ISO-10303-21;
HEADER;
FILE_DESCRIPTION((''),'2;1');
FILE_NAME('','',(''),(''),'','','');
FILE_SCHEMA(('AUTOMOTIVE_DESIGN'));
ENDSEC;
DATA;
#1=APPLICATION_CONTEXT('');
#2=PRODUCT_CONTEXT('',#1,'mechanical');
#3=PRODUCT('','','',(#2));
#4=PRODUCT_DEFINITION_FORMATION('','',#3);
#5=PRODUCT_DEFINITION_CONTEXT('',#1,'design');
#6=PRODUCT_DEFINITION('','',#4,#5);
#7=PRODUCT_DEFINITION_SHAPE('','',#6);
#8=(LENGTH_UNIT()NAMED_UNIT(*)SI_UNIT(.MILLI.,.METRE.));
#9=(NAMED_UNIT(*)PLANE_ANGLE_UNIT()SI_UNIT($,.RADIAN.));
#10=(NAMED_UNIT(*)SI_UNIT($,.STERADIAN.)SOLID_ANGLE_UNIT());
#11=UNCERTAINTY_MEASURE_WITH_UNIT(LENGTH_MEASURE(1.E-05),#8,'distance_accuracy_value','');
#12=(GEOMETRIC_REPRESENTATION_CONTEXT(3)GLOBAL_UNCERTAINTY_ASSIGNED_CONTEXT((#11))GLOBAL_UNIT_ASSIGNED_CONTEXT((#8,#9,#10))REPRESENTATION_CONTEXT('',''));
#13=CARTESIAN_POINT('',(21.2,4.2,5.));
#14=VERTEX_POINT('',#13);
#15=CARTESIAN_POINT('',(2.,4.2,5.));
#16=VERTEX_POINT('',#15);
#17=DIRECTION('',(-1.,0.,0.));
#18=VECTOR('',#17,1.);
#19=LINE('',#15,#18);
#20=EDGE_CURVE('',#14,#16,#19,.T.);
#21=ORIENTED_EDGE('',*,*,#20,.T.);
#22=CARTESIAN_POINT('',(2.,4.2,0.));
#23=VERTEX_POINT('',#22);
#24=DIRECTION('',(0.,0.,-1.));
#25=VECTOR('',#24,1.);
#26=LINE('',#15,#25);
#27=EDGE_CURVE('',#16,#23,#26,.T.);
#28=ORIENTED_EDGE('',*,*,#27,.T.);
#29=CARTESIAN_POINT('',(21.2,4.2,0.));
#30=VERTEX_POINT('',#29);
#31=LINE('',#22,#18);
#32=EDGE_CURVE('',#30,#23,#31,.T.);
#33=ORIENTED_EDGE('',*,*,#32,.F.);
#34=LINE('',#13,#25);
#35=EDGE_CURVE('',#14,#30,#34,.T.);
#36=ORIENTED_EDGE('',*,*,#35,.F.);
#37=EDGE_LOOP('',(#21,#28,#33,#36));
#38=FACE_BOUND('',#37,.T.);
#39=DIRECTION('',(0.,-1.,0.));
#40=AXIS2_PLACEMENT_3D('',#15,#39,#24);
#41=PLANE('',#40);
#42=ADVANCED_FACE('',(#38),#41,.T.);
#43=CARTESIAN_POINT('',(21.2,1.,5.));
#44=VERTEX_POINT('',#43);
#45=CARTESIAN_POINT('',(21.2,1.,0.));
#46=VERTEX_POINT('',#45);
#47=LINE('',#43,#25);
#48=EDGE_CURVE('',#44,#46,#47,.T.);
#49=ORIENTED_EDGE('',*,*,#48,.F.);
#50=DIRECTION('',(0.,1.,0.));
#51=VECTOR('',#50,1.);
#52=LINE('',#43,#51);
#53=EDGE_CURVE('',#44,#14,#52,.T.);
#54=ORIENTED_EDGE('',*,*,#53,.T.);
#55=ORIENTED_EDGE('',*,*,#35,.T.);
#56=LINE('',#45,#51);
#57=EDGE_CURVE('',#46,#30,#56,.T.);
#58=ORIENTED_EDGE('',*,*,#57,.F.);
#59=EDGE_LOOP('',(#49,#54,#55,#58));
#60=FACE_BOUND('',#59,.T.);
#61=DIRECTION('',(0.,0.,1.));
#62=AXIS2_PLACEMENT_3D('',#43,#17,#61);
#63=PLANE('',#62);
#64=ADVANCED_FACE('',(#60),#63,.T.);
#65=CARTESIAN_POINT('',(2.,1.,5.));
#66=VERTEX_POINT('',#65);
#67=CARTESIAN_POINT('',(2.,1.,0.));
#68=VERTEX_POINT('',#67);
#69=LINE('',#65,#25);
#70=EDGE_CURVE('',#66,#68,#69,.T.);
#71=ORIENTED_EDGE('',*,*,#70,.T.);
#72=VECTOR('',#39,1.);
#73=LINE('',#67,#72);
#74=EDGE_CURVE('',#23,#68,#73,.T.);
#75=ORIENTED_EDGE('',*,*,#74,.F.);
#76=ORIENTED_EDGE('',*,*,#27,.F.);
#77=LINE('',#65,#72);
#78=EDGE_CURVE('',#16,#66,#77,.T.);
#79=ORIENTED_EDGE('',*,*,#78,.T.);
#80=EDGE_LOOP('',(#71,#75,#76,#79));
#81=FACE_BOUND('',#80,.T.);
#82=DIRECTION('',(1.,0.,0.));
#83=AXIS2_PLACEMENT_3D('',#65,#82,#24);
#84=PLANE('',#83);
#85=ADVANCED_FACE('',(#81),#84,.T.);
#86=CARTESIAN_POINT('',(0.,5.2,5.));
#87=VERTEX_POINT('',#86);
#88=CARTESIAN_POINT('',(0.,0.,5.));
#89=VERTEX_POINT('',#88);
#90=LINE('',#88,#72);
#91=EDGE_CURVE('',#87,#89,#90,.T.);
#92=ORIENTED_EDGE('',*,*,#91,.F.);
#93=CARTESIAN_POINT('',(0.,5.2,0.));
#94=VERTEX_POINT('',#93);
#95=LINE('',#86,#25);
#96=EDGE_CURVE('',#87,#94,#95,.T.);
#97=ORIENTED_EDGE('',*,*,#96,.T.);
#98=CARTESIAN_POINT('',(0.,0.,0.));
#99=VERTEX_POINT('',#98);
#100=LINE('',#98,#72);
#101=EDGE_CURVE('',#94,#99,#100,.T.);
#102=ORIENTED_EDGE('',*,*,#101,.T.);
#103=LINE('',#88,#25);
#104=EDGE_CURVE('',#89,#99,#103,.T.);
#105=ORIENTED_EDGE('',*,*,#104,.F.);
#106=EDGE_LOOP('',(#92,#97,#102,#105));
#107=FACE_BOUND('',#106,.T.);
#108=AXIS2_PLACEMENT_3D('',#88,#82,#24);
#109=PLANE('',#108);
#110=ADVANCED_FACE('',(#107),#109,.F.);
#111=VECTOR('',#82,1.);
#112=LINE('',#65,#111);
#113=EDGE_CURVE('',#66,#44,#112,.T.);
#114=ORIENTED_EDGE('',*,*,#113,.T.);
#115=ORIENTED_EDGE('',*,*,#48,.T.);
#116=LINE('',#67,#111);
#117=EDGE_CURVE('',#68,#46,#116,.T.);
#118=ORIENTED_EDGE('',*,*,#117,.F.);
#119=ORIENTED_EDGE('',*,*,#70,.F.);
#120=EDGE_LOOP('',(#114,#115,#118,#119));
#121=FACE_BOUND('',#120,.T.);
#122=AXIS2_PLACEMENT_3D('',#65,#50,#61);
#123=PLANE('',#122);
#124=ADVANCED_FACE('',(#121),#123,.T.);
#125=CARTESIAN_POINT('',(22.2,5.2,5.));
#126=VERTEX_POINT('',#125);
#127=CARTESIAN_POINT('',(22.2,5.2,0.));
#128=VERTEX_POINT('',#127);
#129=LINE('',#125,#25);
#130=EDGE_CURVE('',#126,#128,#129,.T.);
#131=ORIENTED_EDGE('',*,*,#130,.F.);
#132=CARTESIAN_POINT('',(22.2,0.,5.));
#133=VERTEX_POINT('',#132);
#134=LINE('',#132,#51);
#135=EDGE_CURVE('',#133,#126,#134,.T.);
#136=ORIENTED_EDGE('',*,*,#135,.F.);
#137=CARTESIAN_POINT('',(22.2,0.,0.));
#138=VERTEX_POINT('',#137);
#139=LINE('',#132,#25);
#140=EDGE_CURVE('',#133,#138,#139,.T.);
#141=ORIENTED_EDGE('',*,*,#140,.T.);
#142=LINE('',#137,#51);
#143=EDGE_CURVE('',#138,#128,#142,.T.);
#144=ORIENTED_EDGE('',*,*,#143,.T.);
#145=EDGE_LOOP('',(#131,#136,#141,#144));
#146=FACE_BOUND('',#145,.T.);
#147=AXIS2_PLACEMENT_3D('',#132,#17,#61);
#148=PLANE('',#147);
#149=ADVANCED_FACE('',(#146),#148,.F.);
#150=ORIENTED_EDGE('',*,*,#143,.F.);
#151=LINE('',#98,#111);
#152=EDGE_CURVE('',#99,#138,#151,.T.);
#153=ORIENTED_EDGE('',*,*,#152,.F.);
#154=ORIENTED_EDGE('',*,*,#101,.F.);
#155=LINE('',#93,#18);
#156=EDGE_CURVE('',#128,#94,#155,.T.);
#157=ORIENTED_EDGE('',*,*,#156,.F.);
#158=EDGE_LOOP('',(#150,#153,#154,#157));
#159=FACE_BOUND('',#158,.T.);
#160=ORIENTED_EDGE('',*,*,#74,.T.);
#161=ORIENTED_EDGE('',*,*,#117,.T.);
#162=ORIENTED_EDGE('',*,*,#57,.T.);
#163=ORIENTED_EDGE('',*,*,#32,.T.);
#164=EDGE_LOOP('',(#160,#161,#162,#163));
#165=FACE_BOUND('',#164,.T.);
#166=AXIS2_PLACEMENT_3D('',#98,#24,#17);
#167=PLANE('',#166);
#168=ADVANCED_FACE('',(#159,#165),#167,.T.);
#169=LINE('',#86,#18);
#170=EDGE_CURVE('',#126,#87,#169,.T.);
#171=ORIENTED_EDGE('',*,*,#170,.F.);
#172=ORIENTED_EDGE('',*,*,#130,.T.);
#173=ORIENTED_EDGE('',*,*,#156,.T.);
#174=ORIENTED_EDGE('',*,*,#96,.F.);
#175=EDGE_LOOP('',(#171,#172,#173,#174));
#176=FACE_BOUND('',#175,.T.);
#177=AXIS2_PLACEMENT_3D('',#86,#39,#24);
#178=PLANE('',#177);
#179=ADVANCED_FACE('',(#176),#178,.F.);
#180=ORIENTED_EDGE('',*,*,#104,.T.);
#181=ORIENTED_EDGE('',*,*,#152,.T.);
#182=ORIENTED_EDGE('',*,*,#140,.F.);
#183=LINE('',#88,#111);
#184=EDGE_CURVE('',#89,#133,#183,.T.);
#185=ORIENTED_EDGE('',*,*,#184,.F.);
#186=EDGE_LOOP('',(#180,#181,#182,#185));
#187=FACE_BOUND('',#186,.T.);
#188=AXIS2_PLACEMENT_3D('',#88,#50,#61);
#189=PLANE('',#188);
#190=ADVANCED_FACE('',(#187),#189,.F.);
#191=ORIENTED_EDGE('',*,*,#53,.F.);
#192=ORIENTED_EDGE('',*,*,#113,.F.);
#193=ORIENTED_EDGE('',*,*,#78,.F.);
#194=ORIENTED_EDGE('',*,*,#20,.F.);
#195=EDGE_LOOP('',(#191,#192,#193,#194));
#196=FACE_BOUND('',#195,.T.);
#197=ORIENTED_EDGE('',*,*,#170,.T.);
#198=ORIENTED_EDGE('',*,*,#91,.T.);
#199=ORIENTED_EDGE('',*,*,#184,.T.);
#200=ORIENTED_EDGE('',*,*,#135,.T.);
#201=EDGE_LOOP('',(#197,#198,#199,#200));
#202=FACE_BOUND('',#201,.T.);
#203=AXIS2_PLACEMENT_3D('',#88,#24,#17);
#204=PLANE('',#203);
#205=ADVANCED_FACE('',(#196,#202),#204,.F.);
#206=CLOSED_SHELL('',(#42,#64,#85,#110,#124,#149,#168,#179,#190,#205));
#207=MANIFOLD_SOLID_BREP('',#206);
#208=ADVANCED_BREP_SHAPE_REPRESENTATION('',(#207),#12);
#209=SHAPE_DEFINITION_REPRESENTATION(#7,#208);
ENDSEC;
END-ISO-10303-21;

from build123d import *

# Parameters (mm, degrees)
SKICA1_W                = 22.2
SKICA1_H                = 5.2
SKICA1_W_2              = 19.2
SKICA1_H_2              = 3.2
P_IDAT_VYSUNUT_M1_DEPTH = 5


with BuildPart() as part:
    # Skica1 → Přidat vysunutím1 (new body)
    with BuildSketch(Plane.XY):
        with Locations((11.1, 2.6)):
            Rectangle(SKICA1_W, SKICA1_H)
        with Locations((11.6, 2.6)):
            Rectangle(SKICA1_W_2, SKICA1_H_2, mode=Mode.SUBTRACT)
    extrude(amount=P_IDAT_VYSUNUT_M1_DEPTH)


solid = part.part
